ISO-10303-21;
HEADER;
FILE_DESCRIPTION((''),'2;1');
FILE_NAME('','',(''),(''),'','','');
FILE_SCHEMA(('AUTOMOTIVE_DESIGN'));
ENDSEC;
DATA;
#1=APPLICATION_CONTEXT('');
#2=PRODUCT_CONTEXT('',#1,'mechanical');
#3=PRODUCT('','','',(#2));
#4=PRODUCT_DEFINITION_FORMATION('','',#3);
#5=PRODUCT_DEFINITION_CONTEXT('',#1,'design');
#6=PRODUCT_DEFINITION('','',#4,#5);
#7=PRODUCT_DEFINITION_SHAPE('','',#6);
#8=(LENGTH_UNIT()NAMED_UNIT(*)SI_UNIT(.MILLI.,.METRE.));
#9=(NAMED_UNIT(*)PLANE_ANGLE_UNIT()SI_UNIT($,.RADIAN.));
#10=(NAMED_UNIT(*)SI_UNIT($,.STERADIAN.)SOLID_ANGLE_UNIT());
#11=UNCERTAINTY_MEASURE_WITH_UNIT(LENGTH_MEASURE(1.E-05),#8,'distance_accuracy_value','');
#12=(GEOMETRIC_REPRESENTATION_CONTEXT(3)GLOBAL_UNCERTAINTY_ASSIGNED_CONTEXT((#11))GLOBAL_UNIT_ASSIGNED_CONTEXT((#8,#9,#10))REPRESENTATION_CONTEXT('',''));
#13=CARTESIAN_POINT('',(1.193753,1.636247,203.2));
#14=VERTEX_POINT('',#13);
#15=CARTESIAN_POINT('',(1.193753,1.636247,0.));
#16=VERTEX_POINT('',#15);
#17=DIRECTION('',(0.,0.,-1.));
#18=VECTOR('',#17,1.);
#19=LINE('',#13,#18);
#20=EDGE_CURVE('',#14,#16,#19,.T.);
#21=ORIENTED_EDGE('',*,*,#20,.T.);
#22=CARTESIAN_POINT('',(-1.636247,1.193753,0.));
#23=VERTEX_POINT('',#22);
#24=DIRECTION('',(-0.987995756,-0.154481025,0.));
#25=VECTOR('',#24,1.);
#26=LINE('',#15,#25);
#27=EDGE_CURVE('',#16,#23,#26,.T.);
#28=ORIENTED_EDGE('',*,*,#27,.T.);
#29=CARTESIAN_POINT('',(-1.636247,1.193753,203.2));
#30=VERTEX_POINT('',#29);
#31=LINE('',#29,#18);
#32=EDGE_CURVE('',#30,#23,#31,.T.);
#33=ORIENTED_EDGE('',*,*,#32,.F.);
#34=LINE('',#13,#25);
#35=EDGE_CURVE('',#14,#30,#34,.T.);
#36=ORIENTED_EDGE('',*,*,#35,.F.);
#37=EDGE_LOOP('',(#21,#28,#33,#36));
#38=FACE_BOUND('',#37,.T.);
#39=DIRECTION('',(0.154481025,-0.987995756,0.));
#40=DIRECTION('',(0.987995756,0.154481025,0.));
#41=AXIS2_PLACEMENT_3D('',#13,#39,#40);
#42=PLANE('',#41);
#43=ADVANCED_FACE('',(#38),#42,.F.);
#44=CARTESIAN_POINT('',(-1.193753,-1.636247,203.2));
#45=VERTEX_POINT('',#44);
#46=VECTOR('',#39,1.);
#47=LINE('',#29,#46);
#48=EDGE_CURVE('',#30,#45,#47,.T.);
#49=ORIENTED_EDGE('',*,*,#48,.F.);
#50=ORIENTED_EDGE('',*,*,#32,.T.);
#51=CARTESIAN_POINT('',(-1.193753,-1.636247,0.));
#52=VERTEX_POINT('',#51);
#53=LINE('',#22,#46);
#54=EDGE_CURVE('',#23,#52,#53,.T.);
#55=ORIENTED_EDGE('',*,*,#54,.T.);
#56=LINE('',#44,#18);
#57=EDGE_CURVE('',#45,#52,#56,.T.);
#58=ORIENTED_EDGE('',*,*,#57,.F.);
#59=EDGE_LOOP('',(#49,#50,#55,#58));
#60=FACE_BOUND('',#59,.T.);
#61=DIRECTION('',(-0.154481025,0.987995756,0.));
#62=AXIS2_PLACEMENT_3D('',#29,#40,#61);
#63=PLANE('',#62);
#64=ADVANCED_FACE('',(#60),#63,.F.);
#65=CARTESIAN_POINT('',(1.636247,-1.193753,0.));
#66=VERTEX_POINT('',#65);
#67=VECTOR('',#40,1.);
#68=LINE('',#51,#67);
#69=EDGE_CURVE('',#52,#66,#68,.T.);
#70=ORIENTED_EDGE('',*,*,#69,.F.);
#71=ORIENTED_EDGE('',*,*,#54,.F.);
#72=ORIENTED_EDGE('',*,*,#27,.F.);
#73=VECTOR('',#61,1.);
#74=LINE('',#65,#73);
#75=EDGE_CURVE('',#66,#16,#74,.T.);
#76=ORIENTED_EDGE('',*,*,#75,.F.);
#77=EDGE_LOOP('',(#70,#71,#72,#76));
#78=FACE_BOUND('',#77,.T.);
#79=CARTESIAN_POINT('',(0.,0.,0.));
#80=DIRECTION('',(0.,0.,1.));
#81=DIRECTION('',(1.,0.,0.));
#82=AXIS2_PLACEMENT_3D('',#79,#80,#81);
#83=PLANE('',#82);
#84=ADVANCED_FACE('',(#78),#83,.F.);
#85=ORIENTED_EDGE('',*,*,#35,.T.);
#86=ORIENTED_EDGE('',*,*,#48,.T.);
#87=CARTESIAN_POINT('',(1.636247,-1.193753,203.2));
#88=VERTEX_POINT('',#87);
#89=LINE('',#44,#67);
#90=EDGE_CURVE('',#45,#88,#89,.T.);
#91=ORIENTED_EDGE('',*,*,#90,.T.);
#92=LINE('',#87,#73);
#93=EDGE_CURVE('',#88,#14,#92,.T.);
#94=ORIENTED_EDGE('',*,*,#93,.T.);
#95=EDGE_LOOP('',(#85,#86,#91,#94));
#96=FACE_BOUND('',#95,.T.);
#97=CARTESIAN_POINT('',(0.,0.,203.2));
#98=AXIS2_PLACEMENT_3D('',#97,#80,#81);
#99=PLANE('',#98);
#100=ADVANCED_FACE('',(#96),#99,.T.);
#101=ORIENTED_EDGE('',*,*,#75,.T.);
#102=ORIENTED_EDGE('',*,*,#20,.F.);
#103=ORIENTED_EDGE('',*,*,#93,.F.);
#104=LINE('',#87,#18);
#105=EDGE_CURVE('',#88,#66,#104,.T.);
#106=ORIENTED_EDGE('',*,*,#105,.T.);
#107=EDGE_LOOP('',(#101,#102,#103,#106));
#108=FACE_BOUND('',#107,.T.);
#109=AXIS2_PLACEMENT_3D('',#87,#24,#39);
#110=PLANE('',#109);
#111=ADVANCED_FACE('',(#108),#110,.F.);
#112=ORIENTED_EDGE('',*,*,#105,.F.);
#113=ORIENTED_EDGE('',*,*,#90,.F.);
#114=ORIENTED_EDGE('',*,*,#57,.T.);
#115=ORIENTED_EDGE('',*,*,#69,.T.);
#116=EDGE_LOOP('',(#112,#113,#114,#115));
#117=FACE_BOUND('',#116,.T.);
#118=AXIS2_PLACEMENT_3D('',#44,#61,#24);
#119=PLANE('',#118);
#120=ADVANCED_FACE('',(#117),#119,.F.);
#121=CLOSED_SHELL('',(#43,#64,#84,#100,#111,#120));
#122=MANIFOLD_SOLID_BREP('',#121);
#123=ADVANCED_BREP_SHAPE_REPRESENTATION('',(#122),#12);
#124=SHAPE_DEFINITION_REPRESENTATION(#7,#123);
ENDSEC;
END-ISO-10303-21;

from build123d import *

# Parameters (mm, degrees)
BOSS_EXTRUDE1_DEPTH = 203.2


with BuildPart() as part:
    # Sketch1 → Boss-Extrude1 (new body)
    with BuildSketch(Plane.XY):
        Polygon((1.636246548, -1.193753452), (1.193753452, 1.636246548), (-1.636246548, 1.193753452), (-1.193753452, -1.636246548), align=None)
    extrude(amount=BOSS_EXTRUDE1_DEPTH)


solid = part.part
